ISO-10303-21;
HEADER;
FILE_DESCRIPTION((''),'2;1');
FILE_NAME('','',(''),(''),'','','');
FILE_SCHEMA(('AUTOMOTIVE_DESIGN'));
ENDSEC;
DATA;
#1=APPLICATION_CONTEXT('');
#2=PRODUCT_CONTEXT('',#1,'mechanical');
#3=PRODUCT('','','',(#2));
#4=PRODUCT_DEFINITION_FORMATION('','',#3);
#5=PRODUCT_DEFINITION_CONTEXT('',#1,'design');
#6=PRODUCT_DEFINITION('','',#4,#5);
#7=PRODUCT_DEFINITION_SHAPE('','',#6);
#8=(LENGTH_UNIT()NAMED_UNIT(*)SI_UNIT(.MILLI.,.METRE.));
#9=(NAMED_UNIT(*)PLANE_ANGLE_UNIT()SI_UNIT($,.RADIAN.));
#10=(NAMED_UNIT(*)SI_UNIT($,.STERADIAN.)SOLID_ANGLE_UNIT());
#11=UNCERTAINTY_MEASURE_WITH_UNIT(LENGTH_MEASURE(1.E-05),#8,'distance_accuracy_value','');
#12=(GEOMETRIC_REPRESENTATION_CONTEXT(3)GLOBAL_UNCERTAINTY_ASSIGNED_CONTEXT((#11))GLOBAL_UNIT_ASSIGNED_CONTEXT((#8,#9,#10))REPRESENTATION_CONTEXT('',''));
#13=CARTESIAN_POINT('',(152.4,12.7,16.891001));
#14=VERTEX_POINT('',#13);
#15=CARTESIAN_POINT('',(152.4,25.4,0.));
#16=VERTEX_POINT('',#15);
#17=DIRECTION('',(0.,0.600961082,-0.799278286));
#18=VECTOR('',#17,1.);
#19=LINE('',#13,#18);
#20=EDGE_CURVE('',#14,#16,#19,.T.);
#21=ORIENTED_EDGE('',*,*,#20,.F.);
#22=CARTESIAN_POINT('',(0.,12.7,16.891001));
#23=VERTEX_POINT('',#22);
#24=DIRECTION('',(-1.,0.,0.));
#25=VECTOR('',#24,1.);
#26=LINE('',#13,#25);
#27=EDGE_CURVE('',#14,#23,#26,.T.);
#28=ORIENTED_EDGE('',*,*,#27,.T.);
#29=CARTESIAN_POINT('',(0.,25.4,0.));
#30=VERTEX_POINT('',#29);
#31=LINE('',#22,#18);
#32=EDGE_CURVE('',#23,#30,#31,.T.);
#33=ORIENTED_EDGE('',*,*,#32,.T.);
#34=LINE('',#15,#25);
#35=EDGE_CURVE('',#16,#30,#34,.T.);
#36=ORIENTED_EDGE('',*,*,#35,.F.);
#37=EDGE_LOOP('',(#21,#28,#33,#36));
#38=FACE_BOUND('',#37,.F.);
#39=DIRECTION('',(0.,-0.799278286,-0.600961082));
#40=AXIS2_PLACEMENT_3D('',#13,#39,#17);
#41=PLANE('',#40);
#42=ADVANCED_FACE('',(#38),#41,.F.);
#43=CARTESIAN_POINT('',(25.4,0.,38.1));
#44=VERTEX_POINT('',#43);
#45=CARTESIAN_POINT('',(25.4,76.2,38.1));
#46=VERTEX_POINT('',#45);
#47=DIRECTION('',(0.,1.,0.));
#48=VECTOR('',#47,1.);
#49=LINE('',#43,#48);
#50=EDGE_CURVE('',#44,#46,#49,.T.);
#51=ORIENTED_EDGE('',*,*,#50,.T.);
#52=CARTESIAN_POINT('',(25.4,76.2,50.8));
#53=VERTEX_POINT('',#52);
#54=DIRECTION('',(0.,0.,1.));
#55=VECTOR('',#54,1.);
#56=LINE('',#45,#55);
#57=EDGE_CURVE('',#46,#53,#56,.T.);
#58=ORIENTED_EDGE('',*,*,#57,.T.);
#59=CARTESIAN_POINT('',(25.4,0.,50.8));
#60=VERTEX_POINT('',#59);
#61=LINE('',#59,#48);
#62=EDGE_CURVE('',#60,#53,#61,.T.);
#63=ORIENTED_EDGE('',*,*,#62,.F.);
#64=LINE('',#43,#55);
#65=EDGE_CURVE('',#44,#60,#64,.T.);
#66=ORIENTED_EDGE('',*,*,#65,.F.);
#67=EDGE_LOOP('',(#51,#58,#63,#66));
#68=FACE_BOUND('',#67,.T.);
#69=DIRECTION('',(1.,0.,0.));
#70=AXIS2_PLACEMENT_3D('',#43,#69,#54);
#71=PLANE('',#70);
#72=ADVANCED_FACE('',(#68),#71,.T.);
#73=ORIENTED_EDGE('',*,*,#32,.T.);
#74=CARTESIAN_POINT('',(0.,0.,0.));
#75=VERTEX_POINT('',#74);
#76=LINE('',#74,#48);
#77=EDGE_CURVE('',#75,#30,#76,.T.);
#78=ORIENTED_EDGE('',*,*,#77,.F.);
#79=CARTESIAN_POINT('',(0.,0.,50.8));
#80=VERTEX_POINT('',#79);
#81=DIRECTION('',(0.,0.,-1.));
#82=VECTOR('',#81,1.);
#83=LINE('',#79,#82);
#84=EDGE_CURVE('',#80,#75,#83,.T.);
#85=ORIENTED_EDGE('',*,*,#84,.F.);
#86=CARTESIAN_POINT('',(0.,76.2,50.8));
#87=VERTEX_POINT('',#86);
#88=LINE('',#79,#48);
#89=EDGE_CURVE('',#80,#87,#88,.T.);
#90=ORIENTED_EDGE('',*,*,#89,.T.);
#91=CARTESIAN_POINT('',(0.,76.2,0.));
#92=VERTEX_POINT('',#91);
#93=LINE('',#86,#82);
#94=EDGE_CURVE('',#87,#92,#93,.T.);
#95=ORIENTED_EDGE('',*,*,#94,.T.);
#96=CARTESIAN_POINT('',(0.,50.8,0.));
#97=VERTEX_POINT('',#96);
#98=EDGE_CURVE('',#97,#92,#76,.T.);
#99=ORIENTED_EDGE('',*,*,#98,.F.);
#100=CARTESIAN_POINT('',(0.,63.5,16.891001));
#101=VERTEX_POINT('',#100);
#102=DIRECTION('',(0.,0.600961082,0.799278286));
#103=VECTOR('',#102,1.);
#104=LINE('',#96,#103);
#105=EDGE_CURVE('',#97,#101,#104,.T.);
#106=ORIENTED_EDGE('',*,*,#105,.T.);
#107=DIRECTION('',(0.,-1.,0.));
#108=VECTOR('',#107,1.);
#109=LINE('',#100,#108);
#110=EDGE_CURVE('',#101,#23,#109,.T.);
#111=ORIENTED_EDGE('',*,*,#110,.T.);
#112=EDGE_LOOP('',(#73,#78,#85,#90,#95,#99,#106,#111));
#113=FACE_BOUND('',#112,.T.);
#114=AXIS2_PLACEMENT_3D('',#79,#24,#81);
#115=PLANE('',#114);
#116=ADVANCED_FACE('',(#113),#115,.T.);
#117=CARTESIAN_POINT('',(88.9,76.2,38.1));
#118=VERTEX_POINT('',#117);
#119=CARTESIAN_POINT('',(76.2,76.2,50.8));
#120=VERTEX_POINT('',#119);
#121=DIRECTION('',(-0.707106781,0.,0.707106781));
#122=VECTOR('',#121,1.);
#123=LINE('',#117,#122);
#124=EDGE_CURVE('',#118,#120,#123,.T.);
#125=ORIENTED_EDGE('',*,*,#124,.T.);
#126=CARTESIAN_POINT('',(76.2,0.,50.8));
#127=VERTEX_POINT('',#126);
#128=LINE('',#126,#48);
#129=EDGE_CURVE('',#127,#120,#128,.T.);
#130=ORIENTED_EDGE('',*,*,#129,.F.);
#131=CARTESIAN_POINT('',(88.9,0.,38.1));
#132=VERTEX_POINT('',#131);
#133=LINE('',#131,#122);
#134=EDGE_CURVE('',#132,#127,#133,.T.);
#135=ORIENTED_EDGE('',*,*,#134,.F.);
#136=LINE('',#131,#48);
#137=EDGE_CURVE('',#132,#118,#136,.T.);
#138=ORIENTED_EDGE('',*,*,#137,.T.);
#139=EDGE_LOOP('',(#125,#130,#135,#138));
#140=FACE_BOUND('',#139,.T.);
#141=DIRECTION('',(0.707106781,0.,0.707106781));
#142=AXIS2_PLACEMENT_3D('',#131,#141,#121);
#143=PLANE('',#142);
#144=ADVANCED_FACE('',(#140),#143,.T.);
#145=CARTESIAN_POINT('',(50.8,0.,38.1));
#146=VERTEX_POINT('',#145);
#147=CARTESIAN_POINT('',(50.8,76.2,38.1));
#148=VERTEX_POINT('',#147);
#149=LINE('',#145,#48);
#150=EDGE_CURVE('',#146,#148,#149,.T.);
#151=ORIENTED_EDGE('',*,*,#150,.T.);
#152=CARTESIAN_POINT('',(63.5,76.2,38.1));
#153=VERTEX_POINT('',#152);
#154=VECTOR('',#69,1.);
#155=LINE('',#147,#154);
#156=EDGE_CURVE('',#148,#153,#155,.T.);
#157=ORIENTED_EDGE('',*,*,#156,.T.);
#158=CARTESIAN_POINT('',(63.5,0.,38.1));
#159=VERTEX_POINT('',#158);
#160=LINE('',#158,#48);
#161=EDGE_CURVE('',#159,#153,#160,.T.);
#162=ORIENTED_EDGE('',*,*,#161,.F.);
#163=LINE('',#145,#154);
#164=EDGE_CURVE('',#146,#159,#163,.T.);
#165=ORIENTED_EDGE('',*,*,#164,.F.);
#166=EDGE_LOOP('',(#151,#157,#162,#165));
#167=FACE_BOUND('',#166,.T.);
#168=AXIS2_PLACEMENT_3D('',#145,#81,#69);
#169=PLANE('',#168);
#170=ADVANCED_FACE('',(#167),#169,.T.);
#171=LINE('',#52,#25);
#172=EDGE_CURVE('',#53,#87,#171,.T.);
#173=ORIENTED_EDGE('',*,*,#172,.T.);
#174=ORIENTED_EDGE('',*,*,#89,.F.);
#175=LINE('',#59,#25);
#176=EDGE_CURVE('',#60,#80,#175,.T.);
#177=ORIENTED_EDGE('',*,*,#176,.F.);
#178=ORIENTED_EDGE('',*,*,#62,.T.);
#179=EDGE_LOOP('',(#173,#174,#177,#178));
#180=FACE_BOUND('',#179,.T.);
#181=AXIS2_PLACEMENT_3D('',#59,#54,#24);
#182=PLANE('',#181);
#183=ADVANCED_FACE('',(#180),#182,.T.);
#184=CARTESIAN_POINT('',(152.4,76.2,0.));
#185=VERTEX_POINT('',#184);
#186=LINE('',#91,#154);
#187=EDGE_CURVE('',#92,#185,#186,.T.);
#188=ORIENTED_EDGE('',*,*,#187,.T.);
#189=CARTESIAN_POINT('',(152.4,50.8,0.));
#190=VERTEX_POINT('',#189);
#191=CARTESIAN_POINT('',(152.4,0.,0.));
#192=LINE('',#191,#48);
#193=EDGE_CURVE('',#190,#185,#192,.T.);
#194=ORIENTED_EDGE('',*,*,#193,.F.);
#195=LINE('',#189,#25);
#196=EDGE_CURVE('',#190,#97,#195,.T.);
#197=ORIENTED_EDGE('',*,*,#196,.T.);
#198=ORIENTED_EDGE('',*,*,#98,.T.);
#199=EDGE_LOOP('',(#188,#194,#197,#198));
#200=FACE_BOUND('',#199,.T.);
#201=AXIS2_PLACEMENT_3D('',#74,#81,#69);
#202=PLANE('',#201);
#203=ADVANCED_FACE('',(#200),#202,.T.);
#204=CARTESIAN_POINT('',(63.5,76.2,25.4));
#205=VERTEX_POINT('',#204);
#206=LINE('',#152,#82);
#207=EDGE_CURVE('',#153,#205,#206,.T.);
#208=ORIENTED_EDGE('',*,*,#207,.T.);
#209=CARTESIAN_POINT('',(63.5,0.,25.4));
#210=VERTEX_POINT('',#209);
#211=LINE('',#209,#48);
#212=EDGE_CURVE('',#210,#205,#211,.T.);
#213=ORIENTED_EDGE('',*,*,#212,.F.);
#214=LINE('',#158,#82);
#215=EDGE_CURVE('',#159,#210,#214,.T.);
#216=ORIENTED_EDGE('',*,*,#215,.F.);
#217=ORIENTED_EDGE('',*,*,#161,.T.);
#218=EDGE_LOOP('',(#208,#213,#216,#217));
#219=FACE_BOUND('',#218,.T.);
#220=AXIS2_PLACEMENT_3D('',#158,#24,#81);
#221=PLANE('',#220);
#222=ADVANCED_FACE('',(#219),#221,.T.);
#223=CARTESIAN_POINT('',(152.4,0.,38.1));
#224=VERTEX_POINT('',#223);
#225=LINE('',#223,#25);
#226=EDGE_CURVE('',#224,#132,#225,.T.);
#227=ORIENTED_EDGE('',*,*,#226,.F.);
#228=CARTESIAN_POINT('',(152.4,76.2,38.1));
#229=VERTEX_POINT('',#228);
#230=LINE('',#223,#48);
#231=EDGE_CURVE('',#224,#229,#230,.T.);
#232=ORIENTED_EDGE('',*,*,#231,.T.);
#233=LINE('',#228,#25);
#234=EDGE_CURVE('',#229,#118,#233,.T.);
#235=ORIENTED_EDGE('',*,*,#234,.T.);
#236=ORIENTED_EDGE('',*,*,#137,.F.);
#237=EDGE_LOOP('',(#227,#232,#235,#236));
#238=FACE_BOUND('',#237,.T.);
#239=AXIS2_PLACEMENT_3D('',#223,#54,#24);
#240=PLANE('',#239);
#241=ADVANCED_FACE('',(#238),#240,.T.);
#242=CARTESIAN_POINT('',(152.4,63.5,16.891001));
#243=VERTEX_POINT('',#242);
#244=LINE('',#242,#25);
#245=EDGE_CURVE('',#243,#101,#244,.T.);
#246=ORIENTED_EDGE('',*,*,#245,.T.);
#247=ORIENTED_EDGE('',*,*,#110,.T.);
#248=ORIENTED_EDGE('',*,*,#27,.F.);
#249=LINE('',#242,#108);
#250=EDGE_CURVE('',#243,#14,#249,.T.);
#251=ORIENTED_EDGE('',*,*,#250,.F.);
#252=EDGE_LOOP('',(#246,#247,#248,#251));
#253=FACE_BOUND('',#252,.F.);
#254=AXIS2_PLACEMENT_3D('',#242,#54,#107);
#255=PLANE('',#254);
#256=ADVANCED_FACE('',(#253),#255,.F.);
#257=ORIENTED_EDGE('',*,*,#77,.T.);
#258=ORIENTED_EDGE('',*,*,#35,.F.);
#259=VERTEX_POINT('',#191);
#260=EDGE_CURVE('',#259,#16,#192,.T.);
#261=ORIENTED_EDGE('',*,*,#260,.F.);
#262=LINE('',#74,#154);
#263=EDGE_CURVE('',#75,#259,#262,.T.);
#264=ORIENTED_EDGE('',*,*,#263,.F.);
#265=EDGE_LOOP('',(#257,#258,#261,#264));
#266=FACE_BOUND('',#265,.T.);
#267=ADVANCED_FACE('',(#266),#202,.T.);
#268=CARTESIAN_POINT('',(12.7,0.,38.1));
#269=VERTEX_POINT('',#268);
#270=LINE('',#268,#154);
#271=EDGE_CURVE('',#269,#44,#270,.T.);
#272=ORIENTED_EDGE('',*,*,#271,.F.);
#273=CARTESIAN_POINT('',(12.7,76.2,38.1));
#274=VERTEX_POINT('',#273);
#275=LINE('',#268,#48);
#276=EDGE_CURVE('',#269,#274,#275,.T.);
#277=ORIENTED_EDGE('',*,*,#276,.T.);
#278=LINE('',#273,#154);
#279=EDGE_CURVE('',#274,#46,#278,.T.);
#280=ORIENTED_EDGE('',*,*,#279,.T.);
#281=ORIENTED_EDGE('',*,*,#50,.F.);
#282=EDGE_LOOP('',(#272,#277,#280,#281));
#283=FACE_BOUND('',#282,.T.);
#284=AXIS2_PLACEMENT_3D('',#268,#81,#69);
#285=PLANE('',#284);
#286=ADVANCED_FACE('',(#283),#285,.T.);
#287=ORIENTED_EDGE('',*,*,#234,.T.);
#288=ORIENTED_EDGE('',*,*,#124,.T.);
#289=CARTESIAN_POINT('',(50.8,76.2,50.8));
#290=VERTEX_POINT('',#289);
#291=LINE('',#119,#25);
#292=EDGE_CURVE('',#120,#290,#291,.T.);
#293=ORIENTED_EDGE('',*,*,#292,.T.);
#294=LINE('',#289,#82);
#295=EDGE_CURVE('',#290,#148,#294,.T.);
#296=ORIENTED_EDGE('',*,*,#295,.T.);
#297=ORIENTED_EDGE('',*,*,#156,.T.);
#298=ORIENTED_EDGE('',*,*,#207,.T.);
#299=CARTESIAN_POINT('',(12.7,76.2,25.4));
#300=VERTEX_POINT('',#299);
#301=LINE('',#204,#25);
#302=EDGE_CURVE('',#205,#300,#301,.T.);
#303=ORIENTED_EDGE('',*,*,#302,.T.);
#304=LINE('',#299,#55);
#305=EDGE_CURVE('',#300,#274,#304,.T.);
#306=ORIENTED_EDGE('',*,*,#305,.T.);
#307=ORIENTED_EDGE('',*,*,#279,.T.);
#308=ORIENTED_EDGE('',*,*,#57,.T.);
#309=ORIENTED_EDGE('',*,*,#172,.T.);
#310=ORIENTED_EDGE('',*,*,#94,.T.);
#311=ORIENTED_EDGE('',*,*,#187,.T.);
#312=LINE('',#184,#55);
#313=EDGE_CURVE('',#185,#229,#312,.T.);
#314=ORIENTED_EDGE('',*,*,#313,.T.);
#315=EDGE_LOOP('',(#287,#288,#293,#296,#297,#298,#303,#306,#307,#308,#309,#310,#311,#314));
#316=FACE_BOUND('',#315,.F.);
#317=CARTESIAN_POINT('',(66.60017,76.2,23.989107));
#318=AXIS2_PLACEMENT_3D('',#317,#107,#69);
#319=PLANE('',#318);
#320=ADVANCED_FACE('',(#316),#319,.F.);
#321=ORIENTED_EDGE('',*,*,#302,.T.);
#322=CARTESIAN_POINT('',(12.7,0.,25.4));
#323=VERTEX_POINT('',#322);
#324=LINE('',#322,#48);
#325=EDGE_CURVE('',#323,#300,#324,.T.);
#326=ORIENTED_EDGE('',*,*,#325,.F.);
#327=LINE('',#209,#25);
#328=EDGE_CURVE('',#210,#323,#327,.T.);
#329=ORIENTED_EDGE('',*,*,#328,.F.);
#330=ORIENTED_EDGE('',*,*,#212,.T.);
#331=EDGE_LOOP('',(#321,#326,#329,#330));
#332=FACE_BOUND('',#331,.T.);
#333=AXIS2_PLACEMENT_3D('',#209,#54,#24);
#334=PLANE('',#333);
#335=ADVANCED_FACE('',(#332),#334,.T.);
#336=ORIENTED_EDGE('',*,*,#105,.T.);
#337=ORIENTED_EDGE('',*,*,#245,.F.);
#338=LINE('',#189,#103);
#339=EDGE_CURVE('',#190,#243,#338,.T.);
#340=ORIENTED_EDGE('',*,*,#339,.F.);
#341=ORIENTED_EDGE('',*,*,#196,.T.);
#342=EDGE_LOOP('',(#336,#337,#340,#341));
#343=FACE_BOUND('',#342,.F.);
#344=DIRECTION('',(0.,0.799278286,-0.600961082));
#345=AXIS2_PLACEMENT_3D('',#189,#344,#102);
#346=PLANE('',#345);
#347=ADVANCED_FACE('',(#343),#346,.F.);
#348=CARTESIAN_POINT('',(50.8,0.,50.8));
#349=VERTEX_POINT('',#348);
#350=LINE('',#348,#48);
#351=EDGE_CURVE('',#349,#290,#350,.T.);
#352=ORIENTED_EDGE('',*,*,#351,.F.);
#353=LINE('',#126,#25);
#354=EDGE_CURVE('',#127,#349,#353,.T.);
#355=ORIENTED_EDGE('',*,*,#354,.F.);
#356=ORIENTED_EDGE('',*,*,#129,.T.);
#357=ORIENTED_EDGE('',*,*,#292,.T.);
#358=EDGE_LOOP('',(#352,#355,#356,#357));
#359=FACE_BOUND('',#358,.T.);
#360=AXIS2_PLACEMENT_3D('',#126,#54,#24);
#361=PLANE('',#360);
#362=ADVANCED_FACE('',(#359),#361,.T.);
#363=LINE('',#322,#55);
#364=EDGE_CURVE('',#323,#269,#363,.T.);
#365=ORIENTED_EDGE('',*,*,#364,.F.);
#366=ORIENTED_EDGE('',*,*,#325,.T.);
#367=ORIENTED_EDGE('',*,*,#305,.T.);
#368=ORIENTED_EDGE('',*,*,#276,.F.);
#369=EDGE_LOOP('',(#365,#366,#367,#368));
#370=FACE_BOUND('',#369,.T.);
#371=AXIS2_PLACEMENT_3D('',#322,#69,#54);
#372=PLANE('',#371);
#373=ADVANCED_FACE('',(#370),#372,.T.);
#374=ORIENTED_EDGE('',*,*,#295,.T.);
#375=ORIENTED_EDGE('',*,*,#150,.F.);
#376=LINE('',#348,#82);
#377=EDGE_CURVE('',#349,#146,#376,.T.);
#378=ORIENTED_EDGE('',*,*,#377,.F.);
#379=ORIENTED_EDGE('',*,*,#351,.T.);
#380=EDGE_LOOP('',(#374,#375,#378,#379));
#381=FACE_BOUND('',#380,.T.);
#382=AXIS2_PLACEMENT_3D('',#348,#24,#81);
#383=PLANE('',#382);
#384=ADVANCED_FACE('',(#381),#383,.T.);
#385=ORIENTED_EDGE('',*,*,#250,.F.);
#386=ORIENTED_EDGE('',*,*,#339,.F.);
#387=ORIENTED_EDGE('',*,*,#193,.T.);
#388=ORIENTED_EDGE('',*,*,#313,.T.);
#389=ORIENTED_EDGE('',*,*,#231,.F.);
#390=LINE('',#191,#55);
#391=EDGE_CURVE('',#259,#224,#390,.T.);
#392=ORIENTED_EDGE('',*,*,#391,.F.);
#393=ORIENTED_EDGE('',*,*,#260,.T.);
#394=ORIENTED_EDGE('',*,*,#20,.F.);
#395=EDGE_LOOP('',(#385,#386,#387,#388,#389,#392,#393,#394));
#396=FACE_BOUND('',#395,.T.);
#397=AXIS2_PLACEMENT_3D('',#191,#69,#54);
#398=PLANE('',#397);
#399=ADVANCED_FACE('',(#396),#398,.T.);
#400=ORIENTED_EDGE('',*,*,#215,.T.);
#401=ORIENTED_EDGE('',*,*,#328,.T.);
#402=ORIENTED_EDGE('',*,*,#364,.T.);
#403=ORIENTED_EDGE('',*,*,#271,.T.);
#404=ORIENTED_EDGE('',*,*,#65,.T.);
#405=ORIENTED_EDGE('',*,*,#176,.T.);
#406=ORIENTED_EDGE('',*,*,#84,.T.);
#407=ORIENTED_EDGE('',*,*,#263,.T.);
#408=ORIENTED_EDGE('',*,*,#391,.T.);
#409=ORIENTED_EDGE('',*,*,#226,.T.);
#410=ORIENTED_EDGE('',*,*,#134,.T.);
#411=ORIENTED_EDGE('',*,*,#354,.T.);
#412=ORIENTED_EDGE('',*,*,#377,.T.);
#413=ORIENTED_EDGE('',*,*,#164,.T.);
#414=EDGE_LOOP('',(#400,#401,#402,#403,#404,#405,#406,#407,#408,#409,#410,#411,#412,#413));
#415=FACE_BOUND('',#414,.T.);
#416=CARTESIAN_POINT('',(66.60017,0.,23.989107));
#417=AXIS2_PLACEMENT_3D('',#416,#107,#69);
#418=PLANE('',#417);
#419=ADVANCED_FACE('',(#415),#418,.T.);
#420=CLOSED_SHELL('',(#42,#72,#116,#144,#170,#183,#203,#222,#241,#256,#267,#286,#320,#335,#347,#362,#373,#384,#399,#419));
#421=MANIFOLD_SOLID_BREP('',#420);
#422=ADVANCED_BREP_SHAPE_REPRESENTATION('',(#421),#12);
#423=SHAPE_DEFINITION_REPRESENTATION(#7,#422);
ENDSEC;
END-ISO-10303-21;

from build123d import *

# Parameters (mm, degrees)
F1_DEPTH = 76.2
F3_DEPTH = 152.4
F5_DEPTH = 152.4
F7_DEPTH = 152.4


with BuildPart() as f1:
    # F0 (on Front) → F1 (new body)
    with BuildSketch(Plane.XZ):
        Polygon((152.4, 38.1), (88.9, 38.1), (76.2, 50.8), (50.8, 50.8), (50.8, 38.1), (63.5, 38.1), (63.5, 25.4), (12.7, 25.4), (12.7, 38.1), (25.4, 38.1), (25.4, 50.8), (0, 50.8), (0, 0), (152.4, 0), align=None)
    extrude(amount=-F1_DEPTH)

    # F2 (on Right) → F3 (join)
    with BuildSketch(Plane.YZ):
        Polygon((12.7, 12.7), (25.4, 0), (50.8, 0), (63.5, 12.7), align=None)
    extrude(amount=F3_DEPTH)

    # F4 (on face) → F5 (join)
    with BuildSketch(Plane.YZ.offset(152.4)):
        Polygon((12.7, 11.3952), (25.4, 0), (50.8, 0), (63.5, 11.3952), align=None)
    extrude(amount=-F5_DEPTH)

    # F6 (on face) → F7 (cut)
    with BuildSketch(Plane.YZ.offset(152.4)):
        Polygon((12.7, 16.891001), (25.4, 0), (50.8, 0), (63.5, 16.891001), align=None)
    extrude(amount=-F7_DEPTH, mode=Mode.SUBTRACT)


solid = f1.part
